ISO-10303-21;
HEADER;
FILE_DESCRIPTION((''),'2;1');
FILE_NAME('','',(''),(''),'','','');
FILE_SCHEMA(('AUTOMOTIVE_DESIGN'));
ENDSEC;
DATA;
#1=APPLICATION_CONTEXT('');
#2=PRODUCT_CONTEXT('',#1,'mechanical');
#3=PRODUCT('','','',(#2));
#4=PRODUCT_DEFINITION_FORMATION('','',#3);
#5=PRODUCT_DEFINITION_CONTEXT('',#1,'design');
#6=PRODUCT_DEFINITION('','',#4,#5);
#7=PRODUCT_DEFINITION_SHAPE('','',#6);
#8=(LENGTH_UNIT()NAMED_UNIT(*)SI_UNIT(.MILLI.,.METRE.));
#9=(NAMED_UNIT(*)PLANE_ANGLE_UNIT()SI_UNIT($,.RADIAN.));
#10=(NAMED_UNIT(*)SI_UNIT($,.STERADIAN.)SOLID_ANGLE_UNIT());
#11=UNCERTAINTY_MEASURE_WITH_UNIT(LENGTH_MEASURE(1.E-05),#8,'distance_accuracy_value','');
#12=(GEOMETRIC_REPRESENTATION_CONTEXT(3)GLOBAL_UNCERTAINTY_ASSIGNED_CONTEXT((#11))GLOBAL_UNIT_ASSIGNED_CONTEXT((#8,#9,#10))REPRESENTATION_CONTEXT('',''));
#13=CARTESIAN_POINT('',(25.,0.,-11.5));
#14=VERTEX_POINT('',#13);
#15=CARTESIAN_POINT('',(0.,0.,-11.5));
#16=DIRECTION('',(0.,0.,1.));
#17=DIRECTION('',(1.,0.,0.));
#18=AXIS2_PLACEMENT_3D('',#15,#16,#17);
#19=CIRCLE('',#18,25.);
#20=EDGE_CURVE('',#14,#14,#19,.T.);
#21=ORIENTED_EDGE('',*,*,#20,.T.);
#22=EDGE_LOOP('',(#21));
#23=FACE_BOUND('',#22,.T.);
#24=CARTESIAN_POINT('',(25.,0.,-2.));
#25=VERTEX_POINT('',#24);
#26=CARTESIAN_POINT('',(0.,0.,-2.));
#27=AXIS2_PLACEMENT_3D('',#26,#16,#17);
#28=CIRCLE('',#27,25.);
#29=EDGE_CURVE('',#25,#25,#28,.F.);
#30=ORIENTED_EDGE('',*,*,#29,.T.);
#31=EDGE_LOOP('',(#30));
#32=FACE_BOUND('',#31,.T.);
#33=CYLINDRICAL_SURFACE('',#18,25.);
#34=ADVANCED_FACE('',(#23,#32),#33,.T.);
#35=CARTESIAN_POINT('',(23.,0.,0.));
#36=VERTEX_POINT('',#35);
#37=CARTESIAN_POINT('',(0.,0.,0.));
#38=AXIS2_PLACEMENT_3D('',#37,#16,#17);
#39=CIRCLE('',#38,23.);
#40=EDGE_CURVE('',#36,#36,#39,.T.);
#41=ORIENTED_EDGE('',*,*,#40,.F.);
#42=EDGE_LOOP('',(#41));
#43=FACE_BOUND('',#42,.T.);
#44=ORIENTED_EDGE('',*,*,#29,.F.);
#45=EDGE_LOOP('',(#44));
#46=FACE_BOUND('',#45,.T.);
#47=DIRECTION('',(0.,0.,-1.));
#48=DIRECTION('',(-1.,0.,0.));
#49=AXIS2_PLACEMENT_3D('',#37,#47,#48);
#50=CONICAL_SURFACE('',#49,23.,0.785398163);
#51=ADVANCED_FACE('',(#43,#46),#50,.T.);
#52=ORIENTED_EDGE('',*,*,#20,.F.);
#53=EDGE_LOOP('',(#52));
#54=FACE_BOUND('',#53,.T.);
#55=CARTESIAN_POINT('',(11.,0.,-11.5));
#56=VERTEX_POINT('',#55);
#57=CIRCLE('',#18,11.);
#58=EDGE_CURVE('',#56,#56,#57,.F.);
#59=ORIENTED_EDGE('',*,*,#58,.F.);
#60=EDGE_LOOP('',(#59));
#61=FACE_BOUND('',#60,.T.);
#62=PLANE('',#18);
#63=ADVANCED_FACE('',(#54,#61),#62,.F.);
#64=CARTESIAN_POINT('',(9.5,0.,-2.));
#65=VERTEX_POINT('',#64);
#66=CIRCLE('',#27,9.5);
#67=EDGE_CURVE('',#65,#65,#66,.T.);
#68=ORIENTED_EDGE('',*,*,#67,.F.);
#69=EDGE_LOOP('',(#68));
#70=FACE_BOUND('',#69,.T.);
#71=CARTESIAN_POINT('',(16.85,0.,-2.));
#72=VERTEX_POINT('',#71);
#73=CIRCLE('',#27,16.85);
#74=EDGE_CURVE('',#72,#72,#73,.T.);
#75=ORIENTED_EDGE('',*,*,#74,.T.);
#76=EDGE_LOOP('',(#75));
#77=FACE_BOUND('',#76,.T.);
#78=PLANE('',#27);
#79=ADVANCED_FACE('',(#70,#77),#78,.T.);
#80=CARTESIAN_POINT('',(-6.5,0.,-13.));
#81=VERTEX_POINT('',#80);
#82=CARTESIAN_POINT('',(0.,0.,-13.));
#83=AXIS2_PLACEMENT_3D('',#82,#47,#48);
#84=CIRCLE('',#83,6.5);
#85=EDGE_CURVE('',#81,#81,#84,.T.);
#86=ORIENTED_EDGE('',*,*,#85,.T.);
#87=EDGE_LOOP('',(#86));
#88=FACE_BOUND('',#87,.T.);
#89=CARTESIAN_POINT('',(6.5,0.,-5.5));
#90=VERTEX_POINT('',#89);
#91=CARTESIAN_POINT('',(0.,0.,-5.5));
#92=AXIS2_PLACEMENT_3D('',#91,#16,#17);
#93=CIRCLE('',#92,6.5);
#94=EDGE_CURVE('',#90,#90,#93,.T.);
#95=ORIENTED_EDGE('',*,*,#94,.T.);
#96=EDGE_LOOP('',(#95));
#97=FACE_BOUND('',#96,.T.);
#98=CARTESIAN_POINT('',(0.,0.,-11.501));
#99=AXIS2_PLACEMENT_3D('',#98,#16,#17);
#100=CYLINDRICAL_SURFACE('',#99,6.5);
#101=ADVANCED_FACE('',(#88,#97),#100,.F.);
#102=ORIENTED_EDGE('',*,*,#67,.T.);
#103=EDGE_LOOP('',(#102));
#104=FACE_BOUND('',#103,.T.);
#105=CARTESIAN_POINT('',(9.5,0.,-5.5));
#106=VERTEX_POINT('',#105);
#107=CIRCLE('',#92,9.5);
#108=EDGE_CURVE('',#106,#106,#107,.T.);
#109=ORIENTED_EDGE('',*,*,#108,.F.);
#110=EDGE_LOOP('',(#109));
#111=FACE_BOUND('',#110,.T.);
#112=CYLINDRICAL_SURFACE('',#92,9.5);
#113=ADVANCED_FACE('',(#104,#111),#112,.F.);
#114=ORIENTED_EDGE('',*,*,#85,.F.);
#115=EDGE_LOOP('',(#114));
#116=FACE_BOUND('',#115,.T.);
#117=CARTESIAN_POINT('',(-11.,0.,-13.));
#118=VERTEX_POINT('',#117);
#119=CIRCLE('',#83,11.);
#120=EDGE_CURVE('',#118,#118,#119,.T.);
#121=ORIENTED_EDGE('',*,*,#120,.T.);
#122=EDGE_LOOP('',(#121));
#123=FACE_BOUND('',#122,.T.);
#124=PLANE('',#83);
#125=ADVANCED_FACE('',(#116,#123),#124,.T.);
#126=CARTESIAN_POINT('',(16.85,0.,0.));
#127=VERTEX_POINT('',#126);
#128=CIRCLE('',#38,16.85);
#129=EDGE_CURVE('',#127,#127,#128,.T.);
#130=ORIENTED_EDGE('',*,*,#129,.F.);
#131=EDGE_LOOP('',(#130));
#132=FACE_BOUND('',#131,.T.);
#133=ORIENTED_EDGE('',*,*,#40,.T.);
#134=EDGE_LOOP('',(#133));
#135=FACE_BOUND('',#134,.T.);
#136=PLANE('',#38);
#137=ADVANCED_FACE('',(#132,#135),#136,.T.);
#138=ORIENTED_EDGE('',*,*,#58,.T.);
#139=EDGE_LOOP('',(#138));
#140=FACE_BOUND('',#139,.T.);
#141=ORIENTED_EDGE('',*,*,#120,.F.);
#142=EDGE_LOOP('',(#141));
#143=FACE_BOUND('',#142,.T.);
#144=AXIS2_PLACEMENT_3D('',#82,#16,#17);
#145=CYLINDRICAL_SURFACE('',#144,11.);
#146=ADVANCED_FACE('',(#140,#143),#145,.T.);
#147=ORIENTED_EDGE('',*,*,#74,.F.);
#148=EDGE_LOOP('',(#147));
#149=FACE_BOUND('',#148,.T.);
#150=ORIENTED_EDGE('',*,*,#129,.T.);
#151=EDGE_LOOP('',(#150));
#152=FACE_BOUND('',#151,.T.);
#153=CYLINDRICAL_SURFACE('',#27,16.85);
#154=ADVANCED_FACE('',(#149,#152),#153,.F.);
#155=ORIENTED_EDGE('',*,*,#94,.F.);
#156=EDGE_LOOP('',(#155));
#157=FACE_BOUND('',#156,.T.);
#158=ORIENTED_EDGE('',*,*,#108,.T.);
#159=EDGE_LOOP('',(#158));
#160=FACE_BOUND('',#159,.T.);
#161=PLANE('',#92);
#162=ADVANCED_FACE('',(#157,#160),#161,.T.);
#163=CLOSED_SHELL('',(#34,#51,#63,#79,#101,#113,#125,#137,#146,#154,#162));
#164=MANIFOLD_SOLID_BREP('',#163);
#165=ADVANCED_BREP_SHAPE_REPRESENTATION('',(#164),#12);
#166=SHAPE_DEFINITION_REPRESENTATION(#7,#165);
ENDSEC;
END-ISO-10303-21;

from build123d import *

# Parameters (mm, degrees)
CROQUIS1_R              = 25
SALIENTE_EXTRUIR1_DEPTH = 11.5
CROQUIS2_R              = 16.85
CORTAR_EXTRUIR1_DEPTH   = 2
CROQUIS3_R              = 9.5
CORTAR_EXTRUIR2_DEPTH   = 3.5
CORTAR_EXTRUIR3_REACH   = 37.861
CROQUIS4_R              = 6.5
CROQUIS5_R              = 11
CROQUIS5_R_2            = 6.5
SALIENTE_EXTRUIR2_DEPTH = 1.5
CHAFL_N1_SIZE           = 2


with BuildPart() as part:
    # Croquis1 → Saliente-Extruir1 (new body)
    with BuildSketch(Plane.XY):
        Circle(CROQUIS1_R)
    extrude(amount=-SALIENTE_EXTRUIR1_DEPTH)

    # Croquis2 → Cortar-Extruir1 (cut)
    with BuildSketch(Plane.XY):
        Circle(CROQUIS2_R)
    extrude(amount=-CORTAR_EXTRUIR1_DEPTH, mode=Mode.SUBTRACT)

    # Croquis3 → Cortar-Extruir2 (cut)
    with BuildSketch(Plane.XY.offset(-2)):
        Circle(CROQUIS3_R)
    extrude(amount=-CORTAR_EXTRUIR2_DEPTH, mode=Mode.SUBTRACT)

    # Croquis4 → Cortar-Extruir3 (cut, up to next)
    with BuildSketch(Plane.XY.offset(-5.5), mode=Mode.PRIVATE) as cortar_extruir3_sk1:
        Circle(CROQUIS4_R)
    cortar_extruir3_tool1 = extrude(cortar_extruir3_sk1.sketch, amount=-CORTAR_EXTRUIR3_REACH, mode=Mode.PRIVATE) & part.part
    add(cortar_extruir3_tool1.solids().sort_by_distance((0, 0, -5.5))[0], mode=Mode.SUBTRACT)

    # Croquis5 → Saliente-Extruir2 (add)
    with BuildSketch(Plane(origin=(0, 0, -11.5), x_dir=(-1, 0, 0), z_dir=(0, 0, -1))):
        with Locations(Location((0, 0, 0), (0, 0, 180))):
            Circle(CROQUIS5_R)
        with Locations(Location((0, 0, 0), (0, 0, 180))):
            Circle(CROQUIS5_R_2, mode=Mode.SUBTRACT)
    extrude(amount=SALIENTE_EXTRUIR2_DEPTH)

    # Chaflán1
    chafl_n1_edges = [part.edges().sort_by_distance(p)[0] for p in [
        (-25, 0, 0),
    ]]
    chamfer(chafl_n1_edges, length=CHAFL_N1_SIZE)


solid = part.part
